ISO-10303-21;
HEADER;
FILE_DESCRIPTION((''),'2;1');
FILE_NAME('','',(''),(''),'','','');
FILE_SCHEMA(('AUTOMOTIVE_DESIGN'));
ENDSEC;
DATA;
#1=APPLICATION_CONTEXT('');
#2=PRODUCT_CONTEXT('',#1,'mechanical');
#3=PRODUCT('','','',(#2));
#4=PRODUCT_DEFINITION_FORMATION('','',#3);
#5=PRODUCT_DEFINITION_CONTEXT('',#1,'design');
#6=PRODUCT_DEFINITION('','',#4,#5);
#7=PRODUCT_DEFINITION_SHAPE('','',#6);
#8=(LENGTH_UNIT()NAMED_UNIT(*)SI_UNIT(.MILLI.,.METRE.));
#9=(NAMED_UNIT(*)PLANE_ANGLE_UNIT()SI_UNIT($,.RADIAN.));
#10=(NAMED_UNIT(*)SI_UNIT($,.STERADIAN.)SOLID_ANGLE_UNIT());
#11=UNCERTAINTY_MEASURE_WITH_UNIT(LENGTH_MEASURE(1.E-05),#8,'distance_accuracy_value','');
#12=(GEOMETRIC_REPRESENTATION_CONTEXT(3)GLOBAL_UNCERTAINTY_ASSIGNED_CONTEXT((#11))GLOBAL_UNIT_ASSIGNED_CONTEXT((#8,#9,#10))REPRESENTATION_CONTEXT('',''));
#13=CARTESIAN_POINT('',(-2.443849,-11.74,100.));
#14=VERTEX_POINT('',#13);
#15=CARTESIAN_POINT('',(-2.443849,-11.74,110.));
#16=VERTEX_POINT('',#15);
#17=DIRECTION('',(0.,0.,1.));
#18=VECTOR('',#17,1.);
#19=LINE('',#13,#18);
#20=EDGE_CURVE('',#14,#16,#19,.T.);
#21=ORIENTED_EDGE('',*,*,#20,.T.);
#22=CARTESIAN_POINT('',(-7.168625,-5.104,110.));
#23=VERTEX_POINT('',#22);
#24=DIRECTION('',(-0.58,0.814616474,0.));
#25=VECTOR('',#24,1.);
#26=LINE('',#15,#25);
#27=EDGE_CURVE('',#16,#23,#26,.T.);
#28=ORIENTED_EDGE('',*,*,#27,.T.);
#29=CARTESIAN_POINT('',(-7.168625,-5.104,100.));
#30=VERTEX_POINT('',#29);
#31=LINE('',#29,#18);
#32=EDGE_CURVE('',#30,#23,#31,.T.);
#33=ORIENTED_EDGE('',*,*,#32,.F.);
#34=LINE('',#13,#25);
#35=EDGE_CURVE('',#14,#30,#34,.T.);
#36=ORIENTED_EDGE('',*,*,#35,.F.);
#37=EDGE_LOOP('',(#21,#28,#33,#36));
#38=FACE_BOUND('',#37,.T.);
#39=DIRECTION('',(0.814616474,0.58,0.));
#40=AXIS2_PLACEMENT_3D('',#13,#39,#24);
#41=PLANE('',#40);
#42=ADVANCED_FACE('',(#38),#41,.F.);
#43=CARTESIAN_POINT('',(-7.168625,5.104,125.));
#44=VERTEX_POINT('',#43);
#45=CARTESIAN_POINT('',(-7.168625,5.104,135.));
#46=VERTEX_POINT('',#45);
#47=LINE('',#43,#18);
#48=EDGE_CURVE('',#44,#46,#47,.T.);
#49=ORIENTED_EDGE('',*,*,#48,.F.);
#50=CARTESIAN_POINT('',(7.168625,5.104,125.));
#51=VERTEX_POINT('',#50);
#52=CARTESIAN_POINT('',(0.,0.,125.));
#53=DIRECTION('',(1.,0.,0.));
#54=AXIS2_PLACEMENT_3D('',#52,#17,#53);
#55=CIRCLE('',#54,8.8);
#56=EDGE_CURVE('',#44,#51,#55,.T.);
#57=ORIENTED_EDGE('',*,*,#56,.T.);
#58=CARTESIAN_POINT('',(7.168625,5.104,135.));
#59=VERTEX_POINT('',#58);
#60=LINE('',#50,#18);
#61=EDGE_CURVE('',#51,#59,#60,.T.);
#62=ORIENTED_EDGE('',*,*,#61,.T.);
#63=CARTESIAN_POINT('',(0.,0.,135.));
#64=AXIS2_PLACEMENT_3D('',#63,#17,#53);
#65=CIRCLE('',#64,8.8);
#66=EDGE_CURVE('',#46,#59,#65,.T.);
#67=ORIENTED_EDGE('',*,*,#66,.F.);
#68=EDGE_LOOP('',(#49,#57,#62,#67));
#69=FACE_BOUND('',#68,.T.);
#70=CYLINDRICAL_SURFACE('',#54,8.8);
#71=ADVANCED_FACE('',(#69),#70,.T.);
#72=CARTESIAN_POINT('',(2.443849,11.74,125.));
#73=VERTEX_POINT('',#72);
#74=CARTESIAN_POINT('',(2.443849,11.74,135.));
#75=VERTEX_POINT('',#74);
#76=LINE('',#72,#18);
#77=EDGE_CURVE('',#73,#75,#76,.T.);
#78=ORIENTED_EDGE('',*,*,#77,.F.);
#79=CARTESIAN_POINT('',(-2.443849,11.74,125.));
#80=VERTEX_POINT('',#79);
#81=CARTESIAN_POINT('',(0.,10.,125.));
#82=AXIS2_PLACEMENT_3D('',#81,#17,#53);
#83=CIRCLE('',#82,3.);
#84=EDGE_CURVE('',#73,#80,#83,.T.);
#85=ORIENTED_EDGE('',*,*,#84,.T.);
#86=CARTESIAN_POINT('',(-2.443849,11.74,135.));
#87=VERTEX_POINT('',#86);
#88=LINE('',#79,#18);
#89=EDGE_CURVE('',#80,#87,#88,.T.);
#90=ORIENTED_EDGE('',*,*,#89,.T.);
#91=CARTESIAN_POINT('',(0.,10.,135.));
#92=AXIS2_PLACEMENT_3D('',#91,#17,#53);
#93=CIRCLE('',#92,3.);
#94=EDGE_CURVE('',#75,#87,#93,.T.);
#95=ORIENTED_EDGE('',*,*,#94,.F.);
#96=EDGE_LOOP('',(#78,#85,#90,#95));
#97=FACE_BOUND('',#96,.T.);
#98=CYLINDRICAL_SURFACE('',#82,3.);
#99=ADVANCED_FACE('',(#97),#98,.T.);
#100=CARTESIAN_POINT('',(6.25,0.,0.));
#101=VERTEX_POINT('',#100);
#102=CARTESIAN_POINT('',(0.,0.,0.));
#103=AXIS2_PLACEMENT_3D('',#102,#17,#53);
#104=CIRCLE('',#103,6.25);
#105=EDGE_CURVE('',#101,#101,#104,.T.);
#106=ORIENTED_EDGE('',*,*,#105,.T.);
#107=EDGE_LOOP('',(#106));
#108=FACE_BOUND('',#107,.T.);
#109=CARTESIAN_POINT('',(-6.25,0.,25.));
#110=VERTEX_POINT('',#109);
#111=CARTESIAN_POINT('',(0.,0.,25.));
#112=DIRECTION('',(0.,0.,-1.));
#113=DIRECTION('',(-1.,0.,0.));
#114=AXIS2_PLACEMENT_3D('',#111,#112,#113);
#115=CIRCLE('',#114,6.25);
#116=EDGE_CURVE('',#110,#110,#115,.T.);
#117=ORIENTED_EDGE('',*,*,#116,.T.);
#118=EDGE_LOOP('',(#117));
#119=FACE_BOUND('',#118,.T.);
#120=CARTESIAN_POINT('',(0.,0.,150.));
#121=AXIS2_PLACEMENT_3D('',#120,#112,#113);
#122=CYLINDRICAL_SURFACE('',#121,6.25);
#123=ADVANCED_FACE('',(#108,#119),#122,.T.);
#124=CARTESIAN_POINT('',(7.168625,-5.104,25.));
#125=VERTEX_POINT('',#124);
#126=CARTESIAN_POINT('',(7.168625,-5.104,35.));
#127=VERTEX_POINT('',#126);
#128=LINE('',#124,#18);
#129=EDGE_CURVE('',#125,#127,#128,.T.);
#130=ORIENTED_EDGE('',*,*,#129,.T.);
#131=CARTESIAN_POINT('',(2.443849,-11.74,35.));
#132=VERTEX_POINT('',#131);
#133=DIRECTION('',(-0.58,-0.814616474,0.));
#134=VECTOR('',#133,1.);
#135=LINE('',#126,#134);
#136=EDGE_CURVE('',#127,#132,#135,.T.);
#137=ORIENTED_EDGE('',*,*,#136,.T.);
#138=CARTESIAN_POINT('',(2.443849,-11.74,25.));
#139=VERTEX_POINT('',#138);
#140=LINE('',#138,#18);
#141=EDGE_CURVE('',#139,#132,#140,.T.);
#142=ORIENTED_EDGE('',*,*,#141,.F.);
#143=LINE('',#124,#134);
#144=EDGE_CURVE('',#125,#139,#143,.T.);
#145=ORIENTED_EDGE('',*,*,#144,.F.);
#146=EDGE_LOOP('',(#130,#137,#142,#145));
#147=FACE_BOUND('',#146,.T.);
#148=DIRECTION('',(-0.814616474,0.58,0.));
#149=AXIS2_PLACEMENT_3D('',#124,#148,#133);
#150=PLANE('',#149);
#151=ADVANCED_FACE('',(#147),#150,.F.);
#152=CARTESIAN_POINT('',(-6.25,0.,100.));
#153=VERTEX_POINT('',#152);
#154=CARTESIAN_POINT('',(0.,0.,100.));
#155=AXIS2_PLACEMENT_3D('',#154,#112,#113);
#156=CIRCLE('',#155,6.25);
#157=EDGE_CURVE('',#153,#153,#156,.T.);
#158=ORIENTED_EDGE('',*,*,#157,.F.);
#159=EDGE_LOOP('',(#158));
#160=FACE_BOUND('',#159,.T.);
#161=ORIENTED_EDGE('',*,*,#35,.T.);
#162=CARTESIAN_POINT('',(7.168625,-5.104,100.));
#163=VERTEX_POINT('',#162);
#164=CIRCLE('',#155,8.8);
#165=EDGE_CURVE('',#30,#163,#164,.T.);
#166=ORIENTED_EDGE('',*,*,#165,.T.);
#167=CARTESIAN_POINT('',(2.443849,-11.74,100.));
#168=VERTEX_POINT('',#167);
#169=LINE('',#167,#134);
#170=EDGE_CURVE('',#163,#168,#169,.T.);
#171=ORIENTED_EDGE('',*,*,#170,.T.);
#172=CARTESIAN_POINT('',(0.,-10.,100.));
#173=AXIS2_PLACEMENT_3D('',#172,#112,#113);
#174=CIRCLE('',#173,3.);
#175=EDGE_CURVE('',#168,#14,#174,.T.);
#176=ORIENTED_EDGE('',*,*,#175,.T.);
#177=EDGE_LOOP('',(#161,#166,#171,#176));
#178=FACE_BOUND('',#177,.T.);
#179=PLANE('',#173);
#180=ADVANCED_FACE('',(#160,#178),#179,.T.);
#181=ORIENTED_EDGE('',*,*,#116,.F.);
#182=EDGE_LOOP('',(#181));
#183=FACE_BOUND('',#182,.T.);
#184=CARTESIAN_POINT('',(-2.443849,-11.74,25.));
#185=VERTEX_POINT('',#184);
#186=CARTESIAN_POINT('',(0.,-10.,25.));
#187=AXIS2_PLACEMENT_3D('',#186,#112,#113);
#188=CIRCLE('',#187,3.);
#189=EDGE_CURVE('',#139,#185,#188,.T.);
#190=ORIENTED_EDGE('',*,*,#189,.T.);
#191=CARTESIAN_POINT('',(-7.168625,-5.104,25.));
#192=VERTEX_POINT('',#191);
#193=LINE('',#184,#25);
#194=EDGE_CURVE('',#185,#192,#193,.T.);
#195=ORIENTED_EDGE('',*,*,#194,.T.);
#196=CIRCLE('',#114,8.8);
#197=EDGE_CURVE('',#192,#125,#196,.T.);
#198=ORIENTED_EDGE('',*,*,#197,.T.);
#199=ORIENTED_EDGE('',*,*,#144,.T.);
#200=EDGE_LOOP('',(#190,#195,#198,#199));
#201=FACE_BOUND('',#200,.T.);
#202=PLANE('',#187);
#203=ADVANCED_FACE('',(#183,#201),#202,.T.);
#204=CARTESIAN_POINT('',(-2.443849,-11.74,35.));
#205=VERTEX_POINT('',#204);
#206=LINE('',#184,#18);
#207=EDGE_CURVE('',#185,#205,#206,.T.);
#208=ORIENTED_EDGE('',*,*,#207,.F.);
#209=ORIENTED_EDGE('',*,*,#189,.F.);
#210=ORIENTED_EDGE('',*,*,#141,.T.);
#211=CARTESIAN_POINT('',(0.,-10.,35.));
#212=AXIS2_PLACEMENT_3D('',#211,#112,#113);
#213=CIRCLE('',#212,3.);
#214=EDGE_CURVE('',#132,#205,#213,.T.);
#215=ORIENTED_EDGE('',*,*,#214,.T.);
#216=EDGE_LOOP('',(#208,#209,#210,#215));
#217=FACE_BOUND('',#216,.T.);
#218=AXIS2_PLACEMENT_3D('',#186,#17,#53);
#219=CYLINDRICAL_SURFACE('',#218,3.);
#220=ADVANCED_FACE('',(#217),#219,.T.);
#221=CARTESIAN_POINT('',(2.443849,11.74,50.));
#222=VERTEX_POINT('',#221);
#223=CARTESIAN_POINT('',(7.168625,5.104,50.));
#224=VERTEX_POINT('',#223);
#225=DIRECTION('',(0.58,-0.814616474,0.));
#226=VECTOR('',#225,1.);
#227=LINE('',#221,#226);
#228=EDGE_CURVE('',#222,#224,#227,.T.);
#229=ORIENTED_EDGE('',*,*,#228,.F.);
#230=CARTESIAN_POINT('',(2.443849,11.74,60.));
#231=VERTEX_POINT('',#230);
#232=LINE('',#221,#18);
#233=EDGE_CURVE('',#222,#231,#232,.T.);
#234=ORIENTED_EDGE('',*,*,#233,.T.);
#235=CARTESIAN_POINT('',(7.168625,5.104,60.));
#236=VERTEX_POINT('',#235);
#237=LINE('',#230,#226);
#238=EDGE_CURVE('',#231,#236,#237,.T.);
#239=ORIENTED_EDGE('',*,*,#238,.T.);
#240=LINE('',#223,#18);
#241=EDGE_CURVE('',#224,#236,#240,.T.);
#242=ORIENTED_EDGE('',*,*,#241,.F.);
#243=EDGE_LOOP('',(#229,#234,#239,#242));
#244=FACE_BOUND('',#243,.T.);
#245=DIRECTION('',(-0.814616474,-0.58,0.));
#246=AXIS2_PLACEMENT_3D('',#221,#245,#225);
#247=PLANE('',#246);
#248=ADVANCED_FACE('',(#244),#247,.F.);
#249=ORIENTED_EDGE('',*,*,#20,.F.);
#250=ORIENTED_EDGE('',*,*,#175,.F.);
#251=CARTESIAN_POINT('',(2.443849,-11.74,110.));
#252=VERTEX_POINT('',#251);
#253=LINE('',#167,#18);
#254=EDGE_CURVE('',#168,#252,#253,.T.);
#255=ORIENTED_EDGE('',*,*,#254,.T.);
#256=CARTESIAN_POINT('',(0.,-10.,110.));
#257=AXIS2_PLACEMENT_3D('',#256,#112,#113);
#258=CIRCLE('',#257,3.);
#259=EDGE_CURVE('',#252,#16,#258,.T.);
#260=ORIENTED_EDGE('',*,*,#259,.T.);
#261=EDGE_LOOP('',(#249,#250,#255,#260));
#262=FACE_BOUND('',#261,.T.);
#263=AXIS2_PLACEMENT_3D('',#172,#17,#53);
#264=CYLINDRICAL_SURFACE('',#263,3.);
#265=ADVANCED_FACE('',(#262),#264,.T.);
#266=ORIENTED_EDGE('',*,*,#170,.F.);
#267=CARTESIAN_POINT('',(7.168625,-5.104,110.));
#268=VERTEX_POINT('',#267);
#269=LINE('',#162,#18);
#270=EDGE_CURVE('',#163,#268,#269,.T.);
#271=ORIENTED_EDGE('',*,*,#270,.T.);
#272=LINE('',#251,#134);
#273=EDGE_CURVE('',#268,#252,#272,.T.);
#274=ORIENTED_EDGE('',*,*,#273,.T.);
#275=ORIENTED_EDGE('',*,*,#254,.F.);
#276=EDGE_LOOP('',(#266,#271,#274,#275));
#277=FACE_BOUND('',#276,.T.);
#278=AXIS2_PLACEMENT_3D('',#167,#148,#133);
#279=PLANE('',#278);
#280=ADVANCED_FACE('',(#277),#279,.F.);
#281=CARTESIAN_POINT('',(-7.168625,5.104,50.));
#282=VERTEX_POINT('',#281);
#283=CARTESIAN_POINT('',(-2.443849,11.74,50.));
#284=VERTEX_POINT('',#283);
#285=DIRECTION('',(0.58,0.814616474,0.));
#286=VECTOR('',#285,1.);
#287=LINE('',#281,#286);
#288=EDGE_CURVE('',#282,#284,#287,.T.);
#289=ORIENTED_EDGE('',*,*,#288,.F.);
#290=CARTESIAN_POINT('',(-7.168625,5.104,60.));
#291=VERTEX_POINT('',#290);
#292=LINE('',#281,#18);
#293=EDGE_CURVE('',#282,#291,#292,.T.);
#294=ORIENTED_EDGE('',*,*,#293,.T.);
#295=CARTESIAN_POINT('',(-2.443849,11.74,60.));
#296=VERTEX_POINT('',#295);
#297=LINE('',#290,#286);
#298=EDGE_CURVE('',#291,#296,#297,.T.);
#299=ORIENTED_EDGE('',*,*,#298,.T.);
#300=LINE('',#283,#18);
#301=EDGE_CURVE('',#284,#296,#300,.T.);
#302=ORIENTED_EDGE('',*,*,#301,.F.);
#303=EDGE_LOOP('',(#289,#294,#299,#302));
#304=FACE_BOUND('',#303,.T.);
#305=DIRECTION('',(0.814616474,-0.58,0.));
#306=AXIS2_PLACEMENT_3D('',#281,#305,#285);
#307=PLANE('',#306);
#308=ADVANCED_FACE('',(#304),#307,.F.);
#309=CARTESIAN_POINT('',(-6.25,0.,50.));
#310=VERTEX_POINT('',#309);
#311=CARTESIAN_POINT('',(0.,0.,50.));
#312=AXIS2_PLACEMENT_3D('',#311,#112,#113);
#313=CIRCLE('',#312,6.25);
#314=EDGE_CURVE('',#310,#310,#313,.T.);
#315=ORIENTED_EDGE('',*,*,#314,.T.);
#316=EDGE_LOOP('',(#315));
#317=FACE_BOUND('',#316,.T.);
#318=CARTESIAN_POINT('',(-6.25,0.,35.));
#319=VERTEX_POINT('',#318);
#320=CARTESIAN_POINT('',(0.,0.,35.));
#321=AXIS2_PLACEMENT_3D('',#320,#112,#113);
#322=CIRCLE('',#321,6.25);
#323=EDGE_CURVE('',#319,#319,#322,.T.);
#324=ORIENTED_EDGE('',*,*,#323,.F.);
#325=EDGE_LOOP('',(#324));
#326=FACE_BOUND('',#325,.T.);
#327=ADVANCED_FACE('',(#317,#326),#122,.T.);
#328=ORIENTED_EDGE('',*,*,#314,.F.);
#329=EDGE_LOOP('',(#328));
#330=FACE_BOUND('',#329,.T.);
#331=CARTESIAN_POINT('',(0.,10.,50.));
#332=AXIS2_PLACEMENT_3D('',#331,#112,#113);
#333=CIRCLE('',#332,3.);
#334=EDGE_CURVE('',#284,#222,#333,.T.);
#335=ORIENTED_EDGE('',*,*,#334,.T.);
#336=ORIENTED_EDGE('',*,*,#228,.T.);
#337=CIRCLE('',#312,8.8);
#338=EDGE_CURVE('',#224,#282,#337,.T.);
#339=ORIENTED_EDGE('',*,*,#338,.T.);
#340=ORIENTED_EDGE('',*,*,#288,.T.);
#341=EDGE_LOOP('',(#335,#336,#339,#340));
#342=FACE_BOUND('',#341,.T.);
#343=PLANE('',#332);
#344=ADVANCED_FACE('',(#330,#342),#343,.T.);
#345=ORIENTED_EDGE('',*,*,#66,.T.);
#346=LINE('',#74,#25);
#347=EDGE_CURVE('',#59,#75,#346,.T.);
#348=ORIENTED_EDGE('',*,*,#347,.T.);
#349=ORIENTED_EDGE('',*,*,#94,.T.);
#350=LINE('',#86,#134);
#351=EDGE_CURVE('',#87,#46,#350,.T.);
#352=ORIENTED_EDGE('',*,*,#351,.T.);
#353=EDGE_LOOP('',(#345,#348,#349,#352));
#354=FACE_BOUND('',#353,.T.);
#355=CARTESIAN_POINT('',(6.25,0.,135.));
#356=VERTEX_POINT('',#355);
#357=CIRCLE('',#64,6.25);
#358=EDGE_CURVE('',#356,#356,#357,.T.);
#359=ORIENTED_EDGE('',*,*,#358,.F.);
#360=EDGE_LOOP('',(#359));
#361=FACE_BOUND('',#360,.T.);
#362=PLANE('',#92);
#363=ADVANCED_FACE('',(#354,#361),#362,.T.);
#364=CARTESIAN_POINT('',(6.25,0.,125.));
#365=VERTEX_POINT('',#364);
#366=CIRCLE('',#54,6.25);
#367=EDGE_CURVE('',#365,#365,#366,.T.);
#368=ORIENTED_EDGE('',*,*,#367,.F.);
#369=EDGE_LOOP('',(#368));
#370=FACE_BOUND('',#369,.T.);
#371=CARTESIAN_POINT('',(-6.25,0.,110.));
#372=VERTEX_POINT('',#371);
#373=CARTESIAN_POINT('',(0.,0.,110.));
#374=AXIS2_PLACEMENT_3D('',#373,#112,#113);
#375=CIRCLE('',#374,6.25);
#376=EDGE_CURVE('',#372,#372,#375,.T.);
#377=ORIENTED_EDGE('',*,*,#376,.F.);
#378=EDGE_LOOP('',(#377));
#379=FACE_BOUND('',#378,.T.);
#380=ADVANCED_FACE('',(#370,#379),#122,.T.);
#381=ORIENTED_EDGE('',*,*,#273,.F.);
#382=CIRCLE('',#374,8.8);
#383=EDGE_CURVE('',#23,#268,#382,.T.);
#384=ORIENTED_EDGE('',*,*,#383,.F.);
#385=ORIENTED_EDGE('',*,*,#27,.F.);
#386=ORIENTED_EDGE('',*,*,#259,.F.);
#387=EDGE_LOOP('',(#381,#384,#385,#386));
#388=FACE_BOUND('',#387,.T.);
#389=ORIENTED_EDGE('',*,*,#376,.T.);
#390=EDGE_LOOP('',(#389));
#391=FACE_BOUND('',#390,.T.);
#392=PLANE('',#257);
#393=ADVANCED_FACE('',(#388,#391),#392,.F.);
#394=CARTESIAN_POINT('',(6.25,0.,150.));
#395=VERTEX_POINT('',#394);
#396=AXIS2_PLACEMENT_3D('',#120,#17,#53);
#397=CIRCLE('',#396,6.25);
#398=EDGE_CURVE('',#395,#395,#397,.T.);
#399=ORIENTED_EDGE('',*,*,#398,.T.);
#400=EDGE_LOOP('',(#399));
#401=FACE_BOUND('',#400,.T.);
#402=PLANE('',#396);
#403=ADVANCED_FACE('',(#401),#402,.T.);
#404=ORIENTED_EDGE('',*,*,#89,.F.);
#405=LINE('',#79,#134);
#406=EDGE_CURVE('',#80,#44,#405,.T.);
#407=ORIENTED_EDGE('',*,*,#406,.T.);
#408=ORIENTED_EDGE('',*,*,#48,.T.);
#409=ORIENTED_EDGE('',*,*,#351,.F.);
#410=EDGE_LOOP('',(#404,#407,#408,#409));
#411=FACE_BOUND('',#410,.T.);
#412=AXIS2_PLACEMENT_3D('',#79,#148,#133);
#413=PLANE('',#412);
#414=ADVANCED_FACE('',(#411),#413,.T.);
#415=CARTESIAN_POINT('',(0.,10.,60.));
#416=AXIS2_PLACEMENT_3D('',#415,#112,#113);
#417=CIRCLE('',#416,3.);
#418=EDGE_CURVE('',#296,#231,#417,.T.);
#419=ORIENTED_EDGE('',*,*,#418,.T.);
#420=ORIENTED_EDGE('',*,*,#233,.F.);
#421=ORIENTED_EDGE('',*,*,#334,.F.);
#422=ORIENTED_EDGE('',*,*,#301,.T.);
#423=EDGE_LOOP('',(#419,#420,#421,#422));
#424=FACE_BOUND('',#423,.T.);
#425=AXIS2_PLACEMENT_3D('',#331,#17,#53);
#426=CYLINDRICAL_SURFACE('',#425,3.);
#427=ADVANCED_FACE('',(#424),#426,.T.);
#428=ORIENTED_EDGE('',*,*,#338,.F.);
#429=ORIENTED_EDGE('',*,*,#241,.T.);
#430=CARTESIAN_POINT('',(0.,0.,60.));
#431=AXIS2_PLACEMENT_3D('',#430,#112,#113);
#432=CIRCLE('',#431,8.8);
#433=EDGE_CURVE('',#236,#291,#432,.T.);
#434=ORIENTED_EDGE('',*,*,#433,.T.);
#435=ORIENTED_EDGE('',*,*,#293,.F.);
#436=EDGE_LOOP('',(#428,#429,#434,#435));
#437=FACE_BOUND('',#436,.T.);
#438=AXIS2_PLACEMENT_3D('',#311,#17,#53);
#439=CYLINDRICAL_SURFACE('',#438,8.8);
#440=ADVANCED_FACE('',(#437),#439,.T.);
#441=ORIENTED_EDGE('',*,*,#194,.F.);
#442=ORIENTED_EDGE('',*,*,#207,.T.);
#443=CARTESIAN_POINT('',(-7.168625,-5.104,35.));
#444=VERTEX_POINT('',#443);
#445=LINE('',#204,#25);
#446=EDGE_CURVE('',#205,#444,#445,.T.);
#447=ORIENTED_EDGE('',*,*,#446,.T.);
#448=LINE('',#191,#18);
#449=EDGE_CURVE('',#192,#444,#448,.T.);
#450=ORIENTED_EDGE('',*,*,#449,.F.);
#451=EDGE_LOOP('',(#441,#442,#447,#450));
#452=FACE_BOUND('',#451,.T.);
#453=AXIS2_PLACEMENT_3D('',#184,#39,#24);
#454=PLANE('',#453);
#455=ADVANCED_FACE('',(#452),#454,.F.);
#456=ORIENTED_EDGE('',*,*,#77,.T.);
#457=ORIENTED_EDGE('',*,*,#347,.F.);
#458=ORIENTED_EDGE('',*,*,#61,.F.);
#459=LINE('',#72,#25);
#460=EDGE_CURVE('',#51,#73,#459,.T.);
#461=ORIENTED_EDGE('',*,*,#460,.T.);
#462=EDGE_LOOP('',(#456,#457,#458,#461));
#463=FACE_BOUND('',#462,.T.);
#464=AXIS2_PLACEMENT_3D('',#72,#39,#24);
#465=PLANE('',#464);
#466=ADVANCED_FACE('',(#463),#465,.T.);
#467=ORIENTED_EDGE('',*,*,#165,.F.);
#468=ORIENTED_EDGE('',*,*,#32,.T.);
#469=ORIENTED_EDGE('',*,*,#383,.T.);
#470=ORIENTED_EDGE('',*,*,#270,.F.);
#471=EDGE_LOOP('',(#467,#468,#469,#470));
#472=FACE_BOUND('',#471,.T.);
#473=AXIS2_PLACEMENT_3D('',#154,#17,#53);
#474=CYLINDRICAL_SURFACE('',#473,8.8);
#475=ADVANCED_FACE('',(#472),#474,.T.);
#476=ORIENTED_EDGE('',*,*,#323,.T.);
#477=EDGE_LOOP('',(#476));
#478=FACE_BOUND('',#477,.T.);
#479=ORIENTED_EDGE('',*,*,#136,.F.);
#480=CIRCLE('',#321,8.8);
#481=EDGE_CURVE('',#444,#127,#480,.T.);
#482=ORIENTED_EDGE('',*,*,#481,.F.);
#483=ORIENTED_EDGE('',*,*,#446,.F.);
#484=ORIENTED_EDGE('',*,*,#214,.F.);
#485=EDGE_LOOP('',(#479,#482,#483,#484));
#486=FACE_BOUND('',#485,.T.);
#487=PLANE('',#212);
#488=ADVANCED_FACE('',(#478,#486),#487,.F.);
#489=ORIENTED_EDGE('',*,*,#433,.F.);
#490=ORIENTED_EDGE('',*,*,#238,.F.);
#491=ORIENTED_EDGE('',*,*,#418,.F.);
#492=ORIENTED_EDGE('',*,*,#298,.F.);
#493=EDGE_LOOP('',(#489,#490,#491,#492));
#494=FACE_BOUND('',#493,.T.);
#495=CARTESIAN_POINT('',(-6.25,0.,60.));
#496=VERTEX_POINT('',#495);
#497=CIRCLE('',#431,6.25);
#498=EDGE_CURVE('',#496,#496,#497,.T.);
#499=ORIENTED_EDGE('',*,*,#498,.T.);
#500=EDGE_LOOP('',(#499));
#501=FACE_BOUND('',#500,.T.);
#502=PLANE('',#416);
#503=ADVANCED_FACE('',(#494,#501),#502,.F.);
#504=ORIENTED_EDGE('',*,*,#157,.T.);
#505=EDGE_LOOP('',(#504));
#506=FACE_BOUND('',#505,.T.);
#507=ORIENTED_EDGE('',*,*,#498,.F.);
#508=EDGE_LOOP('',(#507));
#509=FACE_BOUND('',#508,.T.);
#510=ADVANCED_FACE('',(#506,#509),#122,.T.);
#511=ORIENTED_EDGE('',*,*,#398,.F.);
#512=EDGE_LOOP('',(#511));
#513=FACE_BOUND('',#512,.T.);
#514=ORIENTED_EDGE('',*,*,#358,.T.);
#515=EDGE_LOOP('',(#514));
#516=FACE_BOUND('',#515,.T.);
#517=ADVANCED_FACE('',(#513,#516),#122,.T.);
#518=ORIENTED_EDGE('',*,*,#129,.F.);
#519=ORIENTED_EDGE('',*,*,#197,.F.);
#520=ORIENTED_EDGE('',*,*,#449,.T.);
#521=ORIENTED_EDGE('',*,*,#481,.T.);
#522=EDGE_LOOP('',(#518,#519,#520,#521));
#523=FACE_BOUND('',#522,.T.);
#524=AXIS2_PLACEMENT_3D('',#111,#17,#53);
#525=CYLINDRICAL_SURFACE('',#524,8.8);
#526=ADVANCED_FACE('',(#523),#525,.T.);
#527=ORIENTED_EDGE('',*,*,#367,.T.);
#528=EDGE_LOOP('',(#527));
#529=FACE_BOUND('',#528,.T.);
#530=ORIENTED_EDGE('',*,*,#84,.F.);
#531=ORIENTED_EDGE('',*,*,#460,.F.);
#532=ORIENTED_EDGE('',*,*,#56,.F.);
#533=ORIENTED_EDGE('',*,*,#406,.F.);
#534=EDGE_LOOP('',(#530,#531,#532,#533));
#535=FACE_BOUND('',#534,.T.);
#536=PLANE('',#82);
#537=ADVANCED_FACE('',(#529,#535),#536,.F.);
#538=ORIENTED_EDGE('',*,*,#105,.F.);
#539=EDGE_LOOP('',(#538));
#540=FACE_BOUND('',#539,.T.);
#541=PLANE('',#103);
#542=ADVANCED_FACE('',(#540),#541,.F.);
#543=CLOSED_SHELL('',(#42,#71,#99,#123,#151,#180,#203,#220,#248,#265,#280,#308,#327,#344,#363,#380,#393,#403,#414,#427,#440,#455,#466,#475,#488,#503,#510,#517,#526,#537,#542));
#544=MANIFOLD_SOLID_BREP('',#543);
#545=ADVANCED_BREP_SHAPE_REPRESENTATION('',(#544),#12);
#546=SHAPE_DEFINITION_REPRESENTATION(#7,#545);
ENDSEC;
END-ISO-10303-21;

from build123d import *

# Parameters (mm, degrees)
SKETCH1_R           = 6.25
BOSS_EXTRUDE1_DEPTH = 150
SKETCH2_R           = 6.25
BOSS_EXTRUDE2_DEPTH = 10
SKETCH3_R           = 6.25
BOSS_EXTRUDE3_DEPTH = 10
BOSS_EXTRUDE4_DEPTH = 10
BOSS_EXTRUDE5_DEPTH = 10


with BuildPart() as part:
    # Sketch1 → Boss-Extrude1 (new body)
    with BuildSketch(Plane.XY):
        Circle(SKETCH1_R)
    extrude(amount=BOSS_EXTRUDE1_DEPTH)

    # Sketch2 → Boss-Extrude2 (add)
    with BuildSketch(Plane.XY.offset(135)):
        with BuildLine():
            Line((-2.443849423, 11.74), (-7.168624973, 5.104))
            ThreePointArc((-7.168624973, 5.104), (0, -8.8), (7.168624973, 5.104))
            Line((7.168624973, 5.104), (2.443849423, 11.74))
            ThreePointArc((2.443849423, 11.74), (0, 13), (-2.443849423, 11.74))
        make_face()
        Circle(SKETCH2_R, mode=Mode.SUBTRACT)
    extrude(amount=-BOSS_EXTRUDE2_DEPTH)

    # Sketch3 → Boss-Extrude3 (add)
    with BuildSketch(Plane(origin=(0, 0, 110), x_dir=(-1, 0, 0), z_dir=(0, 0, -1))):
        with BuildLine():
            Line((2.443849423, -11.74), (7.168624973, -5.104))
            ThreePointArc((7.168624973, -5.104), (0, 8.8), (-7.168624973, -5.104))
            Line((-7.168624973, -5.104), (-2.443849423, -11.74))
            ThreePointArc((-2.443849423, -11.74), (0, -13), (2.443849423, -11.74))
        make_face()
        Circle(SKETCH3_R, mode=Mode.SUBTRACT)
    extrude(amount=BOSS_EXTRUDE3_DEPTH)

    # Sketch4 → Boss-Extrude4 (add)
    with BuildSketch(Plane(origin=(0, 0, 60), x_dir=(-1, 0, 0), z_dir=(0, 0, -1))):
        with BuildLine():
            Line((-2.443849423, 11.74), (-7.168624973, 5.104))
            ThreePointArc((-7.168624973, 5.104), (0, -8.8), (7.168624973, 5.104))
            Line((7.168624973, 5.104), (2.443849423, 11.74))
            ThreePointArc((2.443849423, 11.74), (0, 13), (-2.443849423, 11.74))
        make_face()
    extrude(amount=BOSS_EXTRUDE4_DEPTH)

    # Sketch5 → Boss-Extrude5 (add)
    with BuildSketch(Plane(origin=(0, 0, 35), x_dir=(-1, 0, 0), z_dir=(0, 0, -1))):
        with BuildLine():
            Line((2.443849423, -11.74), (7.168624973, -5.104))
            ThreePointArc((7.168624973, -5.104), (0, 8.8), (-7.168624973, -5.104))
            Line((-7.168624973, -5.104), (-2.443849423, -11.74))
            ThreePointArc((-2.443849423, -11.74), (0, -13), (2.443849423, -11.74))
        make_face()
    extrude(amount=BOSS_EXTRUDE5_DEPTH)


solid = part.part
